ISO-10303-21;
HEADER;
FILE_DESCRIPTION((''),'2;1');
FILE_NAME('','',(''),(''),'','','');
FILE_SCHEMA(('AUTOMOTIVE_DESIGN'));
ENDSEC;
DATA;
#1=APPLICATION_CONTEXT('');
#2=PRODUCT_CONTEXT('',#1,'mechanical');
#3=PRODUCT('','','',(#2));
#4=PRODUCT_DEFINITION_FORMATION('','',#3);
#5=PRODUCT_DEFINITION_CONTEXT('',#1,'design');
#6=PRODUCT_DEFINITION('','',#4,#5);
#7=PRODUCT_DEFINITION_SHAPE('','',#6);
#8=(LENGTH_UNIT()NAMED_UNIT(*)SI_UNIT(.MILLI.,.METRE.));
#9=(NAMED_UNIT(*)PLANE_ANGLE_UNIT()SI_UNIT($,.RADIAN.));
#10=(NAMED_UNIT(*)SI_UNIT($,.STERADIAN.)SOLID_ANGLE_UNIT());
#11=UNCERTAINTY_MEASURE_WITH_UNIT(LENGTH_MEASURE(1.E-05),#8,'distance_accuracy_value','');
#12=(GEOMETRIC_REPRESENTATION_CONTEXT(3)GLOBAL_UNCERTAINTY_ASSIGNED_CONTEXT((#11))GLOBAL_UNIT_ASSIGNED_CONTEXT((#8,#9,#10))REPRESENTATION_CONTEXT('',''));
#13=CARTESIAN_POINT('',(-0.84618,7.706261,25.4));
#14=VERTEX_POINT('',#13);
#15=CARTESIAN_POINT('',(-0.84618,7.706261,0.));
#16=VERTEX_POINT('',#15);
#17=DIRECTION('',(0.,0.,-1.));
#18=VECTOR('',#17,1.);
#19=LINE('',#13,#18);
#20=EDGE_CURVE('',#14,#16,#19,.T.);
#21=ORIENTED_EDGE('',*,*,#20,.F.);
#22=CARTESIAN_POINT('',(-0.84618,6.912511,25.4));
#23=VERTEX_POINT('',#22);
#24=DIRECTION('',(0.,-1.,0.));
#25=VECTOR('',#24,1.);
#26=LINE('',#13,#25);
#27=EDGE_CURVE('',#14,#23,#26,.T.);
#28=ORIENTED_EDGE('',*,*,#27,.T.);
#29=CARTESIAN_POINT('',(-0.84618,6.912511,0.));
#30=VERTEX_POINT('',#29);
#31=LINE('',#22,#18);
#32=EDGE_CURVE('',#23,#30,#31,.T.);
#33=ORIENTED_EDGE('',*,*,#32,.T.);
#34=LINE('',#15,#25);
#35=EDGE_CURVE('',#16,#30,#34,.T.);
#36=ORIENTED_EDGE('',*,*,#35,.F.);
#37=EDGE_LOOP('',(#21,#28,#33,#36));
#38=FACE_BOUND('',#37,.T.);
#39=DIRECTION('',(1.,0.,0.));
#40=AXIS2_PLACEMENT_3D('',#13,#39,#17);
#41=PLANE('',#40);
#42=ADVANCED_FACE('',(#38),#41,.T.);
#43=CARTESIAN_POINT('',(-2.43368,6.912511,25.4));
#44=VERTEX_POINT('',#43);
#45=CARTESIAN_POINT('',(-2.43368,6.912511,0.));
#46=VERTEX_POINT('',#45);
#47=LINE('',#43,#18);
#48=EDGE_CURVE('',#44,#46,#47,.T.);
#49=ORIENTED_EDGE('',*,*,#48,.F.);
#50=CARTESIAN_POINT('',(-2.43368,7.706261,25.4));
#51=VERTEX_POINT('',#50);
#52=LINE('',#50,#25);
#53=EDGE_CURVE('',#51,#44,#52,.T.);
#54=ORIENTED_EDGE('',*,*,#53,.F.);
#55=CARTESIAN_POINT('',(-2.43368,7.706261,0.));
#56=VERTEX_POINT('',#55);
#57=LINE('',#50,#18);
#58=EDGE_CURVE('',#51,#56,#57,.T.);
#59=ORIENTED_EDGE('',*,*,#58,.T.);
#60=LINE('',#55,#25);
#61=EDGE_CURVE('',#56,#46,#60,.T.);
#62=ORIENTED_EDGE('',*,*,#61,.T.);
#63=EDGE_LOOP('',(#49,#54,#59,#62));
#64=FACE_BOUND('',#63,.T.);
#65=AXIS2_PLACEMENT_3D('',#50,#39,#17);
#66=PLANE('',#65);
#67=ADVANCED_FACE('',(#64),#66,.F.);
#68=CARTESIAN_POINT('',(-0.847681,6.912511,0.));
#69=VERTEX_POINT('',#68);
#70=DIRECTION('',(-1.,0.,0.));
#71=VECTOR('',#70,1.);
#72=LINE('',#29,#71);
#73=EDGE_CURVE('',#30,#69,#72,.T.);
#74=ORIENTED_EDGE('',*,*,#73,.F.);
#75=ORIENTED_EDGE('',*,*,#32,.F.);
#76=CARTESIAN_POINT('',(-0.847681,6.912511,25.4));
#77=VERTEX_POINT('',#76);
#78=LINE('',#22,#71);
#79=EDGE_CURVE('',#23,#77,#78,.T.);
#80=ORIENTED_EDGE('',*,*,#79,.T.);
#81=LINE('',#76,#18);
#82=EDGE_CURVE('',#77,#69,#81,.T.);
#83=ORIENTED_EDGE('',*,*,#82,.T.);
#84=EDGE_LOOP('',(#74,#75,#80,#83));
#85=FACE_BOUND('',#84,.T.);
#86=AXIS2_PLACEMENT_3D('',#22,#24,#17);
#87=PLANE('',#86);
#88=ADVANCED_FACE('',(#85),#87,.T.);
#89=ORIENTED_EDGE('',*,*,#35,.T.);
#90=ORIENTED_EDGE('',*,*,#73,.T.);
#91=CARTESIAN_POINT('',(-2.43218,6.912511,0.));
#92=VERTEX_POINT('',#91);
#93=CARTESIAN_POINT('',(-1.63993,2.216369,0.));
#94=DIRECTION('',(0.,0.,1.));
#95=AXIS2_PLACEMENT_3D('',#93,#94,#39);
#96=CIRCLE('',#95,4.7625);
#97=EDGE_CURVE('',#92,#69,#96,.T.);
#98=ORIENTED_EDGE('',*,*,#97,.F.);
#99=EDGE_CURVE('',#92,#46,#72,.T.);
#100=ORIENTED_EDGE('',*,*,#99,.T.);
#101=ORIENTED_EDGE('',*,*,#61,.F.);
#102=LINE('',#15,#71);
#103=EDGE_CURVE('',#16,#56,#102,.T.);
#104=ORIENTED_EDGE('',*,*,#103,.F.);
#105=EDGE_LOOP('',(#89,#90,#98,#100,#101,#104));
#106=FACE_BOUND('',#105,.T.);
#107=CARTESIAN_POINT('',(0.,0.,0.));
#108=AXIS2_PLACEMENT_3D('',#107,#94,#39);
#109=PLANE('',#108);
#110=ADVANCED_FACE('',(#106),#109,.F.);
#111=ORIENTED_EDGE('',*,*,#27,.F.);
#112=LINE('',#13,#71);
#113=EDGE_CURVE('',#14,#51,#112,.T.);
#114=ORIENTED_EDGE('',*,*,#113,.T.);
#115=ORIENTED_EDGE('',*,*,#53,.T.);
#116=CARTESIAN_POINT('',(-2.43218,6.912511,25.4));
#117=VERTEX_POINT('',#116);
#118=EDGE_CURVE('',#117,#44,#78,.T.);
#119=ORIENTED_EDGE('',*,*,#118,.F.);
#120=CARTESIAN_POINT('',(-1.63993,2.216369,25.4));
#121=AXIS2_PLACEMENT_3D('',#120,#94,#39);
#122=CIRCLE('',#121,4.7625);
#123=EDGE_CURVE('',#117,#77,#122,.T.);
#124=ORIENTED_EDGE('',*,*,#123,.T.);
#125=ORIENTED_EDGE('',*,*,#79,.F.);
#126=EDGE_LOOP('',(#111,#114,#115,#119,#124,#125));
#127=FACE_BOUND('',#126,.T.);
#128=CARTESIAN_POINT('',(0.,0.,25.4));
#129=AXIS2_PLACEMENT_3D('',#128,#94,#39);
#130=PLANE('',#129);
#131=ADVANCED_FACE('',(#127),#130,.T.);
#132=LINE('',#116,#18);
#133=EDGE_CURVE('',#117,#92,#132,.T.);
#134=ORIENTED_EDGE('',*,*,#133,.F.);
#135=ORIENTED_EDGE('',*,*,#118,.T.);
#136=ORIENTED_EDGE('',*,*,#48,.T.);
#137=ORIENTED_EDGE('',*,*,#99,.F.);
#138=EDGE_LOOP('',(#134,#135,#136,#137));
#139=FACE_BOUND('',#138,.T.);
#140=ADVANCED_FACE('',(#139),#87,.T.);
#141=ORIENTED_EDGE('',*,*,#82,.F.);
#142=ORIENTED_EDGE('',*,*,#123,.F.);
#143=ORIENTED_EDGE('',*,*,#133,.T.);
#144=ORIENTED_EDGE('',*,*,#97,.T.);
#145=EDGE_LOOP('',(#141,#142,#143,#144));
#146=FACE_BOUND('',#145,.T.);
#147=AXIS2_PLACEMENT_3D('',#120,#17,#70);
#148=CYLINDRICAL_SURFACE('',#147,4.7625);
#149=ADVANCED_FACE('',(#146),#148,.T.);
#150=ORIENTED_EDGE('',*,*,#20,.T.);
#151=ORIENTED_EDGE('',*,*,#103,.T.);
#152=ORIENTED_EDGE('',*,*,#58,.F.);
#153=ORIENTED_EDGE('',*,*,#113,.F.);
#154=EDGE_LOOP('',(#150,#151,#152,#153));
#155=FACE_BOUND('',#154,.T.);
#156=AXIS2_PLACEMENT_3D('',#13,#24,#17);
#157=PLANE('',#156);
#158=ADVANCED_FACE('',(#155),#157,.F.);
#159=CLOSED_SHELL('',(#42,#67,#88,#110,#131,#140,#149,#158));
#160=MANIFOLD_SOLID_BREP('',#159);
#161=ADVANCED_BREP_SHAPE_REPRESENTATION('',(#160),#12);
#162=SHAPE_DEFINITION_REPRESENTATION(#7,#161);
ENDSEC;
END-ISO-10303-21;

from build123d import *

# Parameters (mm, degrees)
SKETCH1_R           = 4.7625
SKETCH1_W           = 1.5875
SKETCH1_H           = 0.79375
BOSS_EXTRUDE1_DEPTH = 25.4


with BuildPart() as part:
    # Sketch1 → Boss-Extrude1 (new body)
    with BuildSketch(Plane.XY):
        with Locations((-1.639930211, 2.216369181)):
            Circle(SKETCH1_R)
        with Locations((-1.639930211, 7.309385865)):
            Rectangle(SKETCH1_W, SKETCH1_H)
    extrude(amount=BOSS_EXTRUDE1_DEPTH)


solid = part.part
